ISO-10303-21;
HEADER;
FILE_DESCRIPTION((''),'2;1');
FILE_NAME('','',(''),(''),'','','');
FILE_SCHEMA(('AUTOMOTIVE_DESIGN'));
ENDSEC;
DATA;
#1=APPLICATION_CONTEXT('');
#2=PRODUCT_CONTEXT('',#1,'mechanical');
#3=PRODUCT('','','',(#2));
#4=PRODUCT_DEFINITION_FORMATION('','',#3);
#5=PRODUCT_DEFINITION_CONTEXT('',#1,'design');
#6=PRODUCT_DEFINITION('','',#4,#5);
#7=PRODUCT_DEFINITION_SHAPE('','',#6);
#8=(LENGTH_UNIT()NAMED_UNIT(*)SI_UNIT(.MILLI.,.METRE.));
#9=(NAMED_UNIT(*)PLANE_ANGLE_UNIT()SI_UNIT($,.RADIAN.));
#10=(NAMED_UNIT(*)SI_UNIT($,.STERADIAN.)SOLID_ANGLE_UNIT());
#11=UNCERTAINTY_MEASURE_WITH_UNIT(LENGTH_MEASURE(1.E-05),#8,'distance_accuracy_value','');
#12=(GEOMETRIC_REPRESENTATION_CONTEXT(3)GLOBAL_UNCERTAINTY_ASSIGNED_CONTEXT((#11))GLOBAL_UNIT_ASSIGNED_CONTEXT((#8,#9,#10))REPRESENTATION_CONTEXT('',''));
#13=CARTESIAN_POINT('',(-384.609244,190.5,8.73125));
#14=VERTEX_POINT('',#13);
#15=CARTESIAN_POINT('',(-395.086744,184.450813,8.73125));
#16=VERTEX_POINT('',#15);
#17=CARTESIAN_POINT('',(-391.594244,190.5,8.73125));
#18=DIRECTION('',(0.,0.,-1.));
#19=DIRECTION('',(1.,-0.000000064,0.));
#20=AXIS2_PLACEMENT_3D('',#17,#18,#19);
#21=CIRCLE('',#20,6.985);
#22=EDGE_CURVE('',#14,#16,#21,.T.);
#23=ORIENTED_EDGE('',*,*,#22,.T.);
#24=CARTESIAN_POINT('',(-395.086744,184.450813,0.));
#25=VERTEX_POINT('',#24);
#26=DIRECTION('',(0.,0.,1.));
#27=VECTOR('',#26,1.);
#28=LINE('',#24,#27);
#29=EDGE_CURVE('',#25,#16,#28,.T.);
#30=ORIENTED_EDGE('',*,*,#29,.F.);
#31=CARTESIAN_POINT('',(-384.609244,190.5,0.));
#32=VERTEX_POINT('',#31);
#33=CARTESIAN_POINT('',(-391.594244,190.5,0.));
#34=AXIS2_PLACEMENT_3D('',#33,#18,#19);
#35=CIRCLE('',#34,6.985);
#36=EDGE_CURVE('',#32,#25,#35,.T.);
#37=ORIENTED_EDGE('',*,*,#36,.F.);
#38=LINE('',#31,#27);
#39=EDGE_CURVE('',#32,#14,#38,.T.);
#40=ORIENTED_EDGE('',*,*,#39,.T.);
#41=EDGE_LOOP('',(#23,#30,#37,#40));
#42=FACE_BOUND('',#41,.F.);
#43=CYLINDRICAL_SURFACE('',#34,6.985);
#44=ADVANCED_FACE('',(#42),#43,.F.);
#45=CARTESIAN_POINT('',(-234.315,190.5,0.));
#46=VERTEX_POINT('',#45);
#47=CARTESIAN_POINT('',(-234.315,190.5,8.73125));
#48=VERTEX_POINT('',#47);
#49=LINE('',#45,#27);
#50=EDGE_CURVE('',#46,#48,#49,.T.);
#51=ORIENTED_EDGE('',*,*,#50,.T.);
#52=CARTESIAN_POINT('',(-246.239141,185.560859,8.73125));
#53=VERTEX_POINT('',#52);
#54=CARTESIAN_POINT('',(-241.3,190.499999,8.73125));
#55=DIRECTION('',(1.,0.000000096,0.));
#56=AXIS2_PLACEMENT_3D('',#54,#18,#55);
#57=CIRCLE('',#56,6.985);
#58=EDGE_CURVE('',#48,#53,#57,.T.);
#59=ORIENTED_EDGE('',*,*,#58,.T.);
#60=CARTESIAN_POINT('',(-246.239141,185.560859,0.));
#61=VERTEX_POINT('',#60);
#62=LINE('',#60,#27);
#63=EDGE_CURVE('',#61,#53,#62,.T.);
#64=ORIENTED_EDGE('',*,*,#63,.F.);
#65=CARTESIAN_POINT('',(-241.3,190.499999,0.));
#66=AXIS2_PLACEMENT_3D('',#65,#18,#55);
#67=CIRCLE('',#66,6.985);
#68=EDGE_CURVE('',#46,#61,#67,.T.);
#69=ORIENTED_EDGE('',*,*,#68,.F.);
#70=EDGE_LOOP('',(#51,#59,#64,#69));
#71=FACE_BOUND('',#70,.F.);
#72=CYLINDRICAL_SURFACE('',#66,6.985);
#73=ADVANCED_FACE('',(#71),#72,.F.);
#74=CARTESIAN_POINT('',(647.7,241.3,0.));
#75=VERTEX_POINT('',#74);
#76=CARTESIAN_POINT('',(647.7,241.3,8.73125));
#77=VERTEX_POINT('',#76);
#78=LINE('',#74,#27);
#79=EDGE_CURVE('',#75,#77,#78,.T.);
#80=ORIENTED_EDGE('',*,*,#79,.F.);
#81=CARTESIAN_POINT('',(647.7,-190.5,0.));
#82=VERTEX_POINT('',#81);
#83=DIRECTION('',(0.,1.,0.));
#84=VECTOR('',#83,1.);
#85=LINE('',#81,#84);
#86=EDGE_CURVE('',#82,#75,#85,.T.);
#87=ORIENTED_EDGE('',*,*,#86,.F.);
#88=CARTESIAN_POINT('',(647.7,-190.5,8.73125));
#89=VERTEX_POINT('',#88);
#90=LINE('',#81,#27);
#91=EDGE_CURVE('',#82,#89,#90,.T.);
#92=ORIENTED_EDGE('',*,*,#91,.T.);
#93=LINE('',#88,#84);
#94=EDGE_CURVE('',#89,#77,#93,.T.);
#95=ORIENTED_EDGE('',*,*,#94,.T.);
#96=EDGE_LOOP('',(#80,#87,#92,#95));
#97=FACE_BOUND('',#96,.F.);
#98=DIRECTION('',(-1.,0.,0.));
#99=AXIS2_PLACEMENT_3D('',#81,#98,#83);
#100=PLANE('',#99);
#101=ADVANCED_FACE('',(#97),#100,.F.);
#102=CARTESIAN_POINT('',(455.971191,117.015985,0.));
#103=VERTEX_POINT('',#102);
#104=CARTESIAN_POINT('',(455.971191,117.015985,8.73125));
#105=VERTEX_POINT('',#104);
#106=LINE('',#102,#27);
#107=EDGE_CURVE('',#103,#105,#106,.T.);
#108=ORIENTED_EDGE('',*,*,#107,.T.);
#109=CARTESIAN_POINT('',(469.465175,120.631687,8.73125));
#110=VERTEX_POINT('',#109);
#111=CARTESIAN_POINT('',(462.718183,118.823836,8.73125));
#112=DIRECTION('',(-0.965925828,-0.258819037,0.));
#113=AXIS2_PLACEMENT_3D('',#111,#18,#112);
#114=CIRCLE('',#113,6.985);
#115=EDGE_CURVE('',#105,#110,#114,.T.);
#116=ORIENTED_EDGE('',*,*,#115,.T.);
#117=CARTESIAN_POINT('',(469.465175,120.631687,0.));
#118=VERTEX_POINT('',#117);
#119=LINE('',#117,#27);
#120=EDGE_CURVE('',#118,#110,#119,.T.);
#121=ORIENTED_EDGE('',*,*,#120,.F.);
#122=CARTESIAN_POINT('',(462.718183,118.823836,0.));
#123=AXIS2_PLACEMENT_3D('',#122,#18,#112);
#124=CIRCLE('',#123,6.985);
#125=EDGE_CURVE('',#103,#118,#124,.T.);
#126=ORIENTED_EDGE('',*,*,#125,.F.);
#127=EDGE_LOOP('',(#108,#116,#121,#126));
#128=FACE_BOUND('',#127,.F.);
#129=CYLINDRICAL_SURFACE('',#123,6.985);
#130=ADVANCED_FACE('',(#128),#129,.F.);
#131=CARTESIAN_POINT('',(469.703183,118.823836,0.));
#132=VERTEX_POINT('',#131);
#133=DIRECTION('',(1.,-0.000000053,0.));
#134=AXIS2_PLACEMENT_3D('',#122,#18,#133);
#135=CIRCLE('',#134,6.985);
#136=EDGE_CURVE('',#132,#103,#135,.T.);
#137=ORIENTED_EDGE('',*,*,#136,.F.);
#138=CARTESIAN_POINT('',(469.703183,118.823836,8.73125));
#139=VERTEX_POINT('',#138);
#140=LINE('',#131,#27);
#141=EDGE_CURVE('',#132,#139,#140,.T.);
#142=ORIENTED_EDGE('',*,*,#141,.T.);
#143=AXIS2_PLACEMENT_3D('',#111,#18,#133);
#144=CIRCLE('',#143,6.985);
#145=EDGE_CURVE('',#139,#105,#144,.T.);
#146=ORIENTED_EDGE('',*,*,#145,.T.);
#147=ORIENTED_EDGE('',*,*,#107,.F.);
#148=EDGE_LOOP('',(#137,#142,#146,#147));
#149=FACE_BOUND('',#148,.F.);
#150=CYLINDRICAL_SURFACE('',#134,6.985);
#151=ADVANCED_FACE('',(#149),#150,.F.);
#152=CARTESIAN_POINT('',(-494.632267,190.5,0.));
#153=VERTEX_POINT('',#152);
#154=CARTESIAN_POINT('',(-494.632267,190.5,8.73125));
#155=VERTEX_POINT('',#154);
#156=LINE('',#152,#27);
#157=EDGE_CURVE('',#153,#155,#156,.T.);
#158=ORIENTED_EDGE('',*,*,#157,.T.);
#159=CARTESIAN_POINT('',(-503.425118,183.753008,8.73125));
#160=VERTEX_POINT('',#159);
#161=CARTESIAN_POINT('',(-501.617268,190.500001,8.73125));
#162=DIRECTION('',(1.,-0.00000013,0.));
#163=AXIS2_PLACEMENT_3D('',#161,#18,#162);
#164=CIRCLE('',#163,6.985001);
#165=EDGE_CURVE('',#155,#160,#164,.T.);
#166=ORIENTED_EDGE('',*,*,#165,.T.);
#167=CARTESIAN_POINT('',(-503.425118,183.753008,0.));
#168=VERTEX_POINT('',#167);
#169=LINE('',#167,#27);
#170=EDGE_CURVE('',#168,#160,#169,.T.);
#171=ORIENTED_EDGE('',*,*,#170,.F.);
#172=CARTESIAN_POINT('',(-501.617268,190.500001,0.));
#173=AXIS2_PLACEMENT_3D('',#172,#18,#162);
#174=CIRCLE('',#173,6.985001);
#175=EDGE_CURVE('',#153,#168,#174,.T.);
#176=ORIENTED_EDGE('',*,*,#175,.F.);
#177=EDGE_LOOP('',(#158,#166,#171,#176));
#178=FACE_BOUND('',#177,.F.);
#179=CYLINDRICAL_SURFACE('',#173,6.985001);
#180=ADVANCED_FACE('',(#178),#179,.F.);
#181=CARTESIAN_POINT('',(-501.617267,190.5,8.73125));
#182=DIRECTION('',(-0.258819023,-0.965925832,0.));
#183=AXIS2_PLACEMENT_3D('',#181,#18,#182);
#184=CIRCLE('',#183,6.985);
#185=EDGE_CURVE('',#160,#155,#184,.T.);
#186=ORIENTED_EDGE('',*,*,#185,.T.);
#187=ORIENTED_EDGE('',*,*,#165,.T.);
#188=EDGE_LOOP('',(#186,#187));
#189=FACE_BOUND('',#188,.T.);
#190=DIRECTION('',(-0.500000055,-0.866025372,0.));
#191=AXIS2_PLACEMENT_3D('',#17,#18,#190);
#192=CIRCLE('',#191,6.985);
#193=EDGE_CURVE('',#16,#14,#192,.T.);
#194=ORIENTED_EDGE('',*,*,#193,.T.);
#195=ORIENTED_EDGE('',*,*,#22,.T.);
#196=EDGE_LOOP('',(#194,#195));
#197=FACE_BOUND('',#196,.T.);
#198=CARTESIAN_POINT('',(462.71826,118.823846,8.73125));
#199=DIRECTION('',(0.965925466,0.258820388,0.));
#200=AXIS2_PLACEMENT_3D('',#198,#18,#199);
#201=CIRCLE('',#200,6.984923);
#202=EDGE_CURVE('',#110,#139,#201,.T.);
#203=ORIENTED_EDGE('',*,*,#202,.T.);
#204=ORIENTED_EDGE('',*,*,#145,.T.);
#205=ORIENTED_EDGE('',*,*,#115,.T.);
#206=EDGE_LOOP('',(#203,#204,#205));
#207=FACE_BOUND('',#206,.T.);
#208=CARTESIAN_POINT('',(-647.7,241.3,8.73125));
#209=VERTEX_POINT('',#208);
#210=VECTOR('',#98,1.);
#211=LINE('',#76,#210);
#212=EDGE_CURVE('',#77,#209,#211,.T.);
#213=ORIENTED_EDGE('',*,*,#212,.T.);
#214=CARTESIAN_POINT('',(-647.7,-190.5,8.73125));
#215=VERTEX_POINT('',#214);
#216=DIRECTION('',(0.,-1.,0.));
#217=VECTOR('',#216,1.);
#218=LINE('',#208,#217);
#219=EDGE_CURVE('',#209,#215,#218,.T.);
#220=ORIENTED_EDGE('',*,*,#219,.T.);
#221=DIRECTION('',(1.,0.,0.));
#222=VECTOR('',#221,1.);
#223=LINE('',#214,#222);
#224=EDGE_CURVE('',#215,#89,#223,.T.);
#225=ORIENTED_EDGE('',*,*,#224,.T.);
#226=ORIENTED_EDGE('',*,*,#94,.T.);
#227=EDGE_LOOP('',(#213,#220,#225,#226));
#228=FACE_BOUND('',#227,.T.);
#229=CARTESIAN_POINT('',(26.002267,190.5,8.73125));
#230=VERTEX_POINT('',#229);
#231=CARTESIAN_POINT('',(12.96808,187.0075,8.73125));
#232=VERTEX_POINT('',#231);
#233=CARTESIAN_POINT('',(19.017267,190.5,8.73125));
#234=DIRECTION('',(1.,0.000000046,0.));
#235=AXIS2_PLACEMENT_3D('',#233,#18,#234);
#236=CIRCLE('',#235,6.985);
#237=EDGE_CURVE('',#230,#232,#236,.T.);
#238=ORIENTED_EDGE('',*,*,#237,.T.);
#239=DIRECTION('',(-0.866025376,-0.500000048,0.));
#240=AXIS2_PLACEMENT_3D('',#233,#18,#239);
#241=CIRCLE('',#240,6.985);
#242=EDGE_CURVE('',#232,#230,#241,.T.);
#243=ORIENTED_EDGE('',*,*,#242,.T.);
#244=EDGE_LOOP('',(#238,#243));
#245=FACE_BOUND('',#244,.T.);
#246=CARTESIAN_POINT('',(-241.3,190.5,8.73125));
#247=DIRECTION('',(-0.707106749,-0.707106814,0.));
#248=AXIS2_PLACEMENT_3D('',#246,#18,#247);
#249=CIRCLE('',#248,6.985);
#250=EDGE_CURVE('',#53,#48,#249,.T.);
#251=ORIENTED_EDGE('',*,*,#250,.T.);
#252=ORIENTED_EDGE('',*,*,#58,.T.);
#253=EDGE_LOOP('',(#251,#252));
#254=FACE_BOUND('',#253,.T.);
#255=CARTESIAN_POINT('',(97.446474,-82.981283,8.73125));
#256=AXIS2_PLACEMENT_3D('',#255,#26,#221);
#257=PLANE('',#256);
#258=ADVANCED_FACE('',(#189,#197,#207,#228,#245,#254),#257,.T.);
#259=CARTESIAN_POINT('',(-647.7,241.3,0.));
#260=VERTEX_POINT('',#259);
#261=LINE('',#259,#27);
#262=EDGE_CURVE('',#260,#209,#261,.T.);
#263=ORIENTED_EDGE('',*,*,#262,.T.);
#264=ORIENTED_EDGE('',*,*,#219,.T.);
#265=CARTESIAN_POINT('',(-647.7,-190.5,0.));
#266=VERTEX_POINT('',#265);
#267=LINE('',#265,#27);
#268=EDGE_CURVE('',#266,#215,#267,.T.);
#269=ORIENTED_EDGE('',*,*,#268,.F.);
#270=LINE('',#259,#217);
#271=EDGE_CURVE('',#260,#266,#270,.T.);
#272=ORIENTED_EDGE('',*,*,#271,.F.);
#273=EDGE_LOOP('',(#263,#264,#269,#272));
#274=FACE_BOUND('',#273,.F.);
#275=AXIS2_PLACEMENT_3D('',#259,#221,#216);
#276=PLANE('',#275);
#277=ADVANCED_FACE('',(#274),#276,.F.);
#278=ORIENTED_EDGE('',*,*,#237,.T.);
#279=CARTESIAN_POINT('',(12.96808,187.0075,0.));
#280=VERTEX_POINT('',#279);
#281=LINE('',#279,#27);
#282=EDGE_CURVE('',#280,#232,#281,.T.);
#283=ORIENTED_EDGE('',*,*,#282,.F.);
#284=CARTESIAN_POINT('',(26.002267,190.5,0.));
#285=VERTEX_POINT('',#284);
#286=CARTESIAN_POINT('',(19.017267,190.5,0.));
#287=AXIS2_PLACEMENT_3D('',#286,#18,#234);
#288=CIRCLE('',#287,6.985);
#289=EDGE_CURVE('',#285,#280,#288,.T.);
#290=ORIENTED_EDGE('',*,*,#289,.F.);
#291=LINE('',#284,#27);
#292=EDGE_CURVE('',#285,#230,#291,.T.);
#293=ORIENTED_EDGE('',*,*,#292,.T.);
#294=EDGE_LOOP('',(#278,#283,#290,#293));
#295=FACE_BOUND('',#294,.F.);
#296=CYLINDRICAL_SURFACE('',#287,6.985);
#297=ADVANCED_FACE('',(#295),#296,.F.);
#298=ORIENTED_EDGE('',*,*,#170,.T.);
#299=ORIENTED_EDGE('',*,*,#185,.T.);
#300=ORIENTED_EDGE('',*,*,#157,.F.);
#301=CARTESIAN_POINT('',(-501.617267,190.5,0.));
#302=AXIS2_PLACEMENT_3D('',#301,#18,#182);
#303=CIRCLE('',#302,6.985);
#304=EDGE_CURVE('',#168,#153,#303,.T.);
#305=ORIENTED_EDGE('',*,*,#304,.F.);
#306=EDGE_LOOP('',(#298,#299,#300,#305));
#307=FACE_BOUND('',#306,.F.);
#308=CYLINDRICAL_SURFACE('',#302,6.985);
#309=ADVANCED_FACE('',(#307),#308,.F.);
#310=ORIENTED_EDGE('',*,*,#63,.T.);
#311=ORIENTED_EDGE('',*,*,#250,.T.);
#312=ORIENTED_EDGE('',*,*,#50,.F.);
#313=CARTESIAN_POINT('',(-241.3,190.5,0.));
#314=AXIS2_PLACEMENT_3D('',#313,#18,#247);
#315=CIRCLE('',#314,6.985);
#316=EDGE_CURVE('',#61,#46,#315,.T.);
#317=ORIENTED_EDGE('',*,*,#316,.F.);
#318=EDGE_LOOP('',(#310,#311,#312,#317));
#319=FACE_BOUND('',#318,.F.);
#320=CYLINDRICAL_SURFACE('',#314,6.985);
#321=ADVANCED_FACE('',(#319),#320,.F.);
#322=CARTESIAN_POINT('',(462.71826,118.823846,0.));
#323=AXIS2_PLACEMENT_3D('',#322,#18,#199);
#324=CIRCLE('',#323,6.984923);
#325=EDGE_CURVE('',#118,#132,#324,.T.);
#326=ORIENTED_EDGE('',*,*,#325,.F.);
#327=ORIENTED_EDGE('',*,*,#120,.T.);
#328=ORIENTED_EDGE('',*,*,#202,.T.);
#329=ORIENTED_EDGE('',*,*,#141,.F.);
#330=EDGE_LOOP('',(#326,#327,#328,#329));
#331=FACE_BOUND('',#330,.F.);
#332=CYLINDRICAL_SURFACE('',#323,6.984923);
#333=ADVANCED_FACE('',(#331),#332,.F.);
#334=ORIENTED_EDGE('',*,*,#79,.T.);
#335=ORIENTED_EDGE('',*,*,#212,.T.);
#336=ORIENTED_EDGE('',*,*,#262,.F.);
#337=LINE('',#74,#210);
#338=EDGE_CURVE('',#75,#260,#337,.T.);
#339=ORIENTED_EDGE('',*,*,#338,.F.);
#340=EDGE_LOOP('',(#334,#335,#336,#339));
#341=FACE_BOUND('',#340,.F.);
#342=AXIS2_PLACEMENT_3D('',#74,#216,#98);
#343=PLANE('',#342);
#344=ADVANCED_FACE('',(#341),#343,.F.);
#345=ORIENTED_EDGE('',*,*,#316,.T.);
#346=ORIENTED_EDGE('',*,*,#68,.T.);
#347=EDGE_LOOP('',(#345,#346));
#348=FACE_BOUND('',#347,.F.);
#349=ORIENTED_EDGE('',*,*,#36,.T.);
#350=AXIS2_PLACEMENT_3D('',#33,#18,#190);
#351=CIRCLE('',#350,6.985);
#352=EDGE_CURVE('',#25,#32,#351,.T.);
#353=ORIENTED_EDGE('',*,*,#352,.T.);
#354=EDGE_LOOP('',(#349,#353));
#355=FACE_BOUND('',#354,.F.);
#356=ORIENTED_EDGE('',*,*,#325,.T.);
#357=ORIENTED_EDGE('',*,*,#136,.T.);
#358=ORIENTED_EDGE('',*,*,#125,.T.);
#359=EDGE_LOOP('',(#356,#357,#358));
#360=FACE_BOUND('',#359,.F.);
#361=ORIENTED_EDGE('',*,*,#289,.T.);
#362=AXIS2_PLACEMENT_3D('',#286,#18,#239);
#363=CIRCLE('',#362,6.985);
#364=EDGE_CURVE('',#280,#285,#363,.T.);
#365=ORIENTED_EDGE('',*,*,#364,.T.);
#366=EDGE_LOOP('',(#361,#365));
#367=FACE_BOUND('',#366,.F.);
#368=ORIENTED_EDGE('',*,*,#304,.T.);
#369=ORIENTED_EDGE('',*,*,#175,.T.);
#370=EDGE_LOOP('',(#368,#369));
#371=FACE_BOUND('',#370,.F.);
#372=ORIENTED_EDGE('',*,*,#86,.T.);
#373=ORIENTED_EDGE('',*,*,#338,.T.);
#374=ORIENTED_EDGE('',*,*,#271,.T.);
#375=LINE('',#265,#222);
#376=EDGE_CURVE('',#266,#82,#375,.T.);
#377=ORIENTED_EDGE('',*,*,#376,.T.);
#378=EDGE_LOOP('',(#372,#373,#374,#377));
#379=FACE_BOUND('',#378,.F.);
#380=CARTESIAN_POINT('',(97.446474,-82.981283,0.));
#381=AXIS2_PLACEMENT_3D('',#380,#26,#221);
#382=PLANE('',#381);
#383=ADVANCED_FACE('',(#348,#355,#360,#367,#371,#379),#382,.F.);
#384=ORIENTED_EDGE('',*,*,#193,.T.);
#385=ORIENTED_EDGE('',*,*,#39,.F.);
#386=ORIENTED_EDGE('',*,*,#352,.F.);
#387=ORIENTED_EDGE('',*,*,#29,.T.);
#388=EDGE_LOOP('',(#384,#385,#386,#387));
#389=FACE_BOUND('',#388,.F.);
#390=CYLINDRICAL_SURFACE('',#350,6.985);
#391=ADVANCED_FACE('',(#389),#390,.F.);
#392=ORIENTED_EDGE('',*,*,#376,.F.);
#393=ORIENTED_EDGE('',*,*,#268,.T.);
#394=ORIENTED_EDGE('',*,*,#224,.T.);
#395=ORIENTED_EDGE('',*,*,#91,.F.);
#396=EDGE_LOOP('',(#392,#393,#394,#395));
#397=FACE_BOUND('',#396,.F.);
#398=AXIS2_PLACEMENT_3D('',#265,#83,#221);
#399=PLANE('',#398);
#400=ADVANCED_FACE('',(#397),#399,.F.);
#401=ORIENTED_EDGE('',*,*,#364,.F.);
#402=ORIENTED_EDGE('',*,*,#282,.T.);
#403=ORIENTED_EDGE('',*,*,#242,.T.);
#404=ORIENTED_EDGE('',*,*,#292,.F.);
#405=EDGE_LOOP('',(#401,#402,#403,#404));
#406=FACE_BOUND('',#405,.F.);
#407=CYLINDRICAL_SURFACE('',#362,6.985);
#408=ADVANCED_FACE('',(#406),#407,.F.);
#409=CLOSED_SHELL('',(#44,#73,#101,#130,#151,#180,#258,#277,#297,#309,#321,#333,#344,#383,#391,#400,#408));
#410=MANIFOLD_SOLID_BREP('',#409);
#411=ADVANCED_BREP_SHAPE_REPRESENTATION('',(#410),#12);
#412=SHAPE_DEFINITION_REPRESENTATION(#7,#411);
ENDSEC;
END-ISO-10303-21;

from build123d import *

# Parameters (mm, degrees)
F0_W     = 50.8
F0_H     = 25.4
F1_DEPTH = 8.73125


with BuildPart() as f1:
    # F0 (on Top) → F1 (new body)
    with BuildSketch(Plane.XY):
        with BuildLine():
            Line((-596.9, -190.5), (647.7, -190.5))
            Line((647.7, -190.5), (647.7, 168.389565))
            Line((647.7, 168.389565), (469.465175, 120.631687))
            ThreePointArc((469.465175, 120.631687), (469.643426, 119.735562), (469.703183, 118.823836))
            ThreePointArc((469.703183, 118.823836), (463.629909, 111.898594), (455.971191, 117.015985))
            Line((455.971191, 117.015985), (-596.9, -165.1))
            Line((-596.9, -165.1), (-596.9, -190.5))
        make_face()
        with Locations((-622.3, -177.8)):
            Rectangle(F0_W, F0_H)
        with BuildLine():
            ThreePointArc((-494.632267, 190.5), (-505.869466, 196.041573), (-503.425118, 183.753008))
            ThreePointArc((-503.425118, 183.753008), (-497.365069, 184.958427), (-494.632267, 190.5))
        make_face()
        with BuildLine():
            ThreePointArc((-384.609244, 190.5), (-395.086744, 196.549187), (-395.086744, 184.450813))
            ThreePointArc((-395.086744, 184.450813), (-388.101744, 184.450813), (-384.609244, 190.5))
        make_face()
        with BuildLine():
            ThreePointArc((-234.315, 190.5), (-243.973044, 196.953299), (-246.239141, 185.560859))
            ThreePointArc((-246.239141, 185.560859), (-238.626956, 184.046701), (-234.315, 190.5))
        make_face()
        with BuildLine():
            ThreePointArc((26.002267, 190.5), (17.209416, 197.246992), (12.96808, 187.0075))
            ThreePointArc((12.96808, 187.0075), (20.825118, 183.753008), (26.002267, 190.5))
        make_face()
        with BuildLine():
            Line((469.465175, 120.631687), (647.7, 168.389565))
            Line((647.7, 168.389565), (647.7, 190.5))
            Line((647.7, 190.5), (647.7, 241.3))
            Line((647.7, 241.3), (-647.7, 241.3))
            Line((-647.7, 241.3), (-647.7, 190.5))
            Line((-647.7, 190.5), (-647.7, -165.1))
            Line((-647.7, -165.1), (-596.9, -165.1))
            Line((-596.9, -165.1), (455.971191, 117.015985))
            ThreePointArc((455.971191, 117.015985), (460.910332, 125.570828), (469.465175, 120.631687))
        make_face()
        with BuildLine():
            ThreePointArc((-494.632267, 190.5), (-497.365069, 184.958427), (-503.425118, 183.753008))
            ThreePointArc((-503.425118, 183.753008), (-505.869466, 196.041573), (-494.632267, 190.5))
        make_face(mode=Mode.SUBTRACT)
        with BuildLine():
            ThreePointArc((-384.609244, 190.5), (-388.101744, 184.450813), (-395.086744, 184.450813))
            ThreePointArc((-395.086744, 184.450813), (-395.086744, 196.549187), (-384.609244, 190.5))
        make_face(mode=Mode.SUBTRACT)
        with BuildLine():
            ThreePointArc((-234.315, 190.5), (-238.626956, 184.046701), (-246.239141, 185.560859))
            ThreePointArc((-246.239141, 185.560859), (-243.973044, 196.953299), (-234.315, 190.5))
        make_face(mode=Mode.SUBTRACT)
        with BuildLine():
            ThreePointArc((26.002267, 190.5), (20.825118, 183.753008), (12.96808, 187.0075))
            ThreePointArc((12.96808, 187.0075), (17.209416, 197.246992), (26.002267, 190.5))
        make_face(mode=Mode.SUBTRACT)
    extrude(amount=F1_DEPTH)


solid = f1.part
